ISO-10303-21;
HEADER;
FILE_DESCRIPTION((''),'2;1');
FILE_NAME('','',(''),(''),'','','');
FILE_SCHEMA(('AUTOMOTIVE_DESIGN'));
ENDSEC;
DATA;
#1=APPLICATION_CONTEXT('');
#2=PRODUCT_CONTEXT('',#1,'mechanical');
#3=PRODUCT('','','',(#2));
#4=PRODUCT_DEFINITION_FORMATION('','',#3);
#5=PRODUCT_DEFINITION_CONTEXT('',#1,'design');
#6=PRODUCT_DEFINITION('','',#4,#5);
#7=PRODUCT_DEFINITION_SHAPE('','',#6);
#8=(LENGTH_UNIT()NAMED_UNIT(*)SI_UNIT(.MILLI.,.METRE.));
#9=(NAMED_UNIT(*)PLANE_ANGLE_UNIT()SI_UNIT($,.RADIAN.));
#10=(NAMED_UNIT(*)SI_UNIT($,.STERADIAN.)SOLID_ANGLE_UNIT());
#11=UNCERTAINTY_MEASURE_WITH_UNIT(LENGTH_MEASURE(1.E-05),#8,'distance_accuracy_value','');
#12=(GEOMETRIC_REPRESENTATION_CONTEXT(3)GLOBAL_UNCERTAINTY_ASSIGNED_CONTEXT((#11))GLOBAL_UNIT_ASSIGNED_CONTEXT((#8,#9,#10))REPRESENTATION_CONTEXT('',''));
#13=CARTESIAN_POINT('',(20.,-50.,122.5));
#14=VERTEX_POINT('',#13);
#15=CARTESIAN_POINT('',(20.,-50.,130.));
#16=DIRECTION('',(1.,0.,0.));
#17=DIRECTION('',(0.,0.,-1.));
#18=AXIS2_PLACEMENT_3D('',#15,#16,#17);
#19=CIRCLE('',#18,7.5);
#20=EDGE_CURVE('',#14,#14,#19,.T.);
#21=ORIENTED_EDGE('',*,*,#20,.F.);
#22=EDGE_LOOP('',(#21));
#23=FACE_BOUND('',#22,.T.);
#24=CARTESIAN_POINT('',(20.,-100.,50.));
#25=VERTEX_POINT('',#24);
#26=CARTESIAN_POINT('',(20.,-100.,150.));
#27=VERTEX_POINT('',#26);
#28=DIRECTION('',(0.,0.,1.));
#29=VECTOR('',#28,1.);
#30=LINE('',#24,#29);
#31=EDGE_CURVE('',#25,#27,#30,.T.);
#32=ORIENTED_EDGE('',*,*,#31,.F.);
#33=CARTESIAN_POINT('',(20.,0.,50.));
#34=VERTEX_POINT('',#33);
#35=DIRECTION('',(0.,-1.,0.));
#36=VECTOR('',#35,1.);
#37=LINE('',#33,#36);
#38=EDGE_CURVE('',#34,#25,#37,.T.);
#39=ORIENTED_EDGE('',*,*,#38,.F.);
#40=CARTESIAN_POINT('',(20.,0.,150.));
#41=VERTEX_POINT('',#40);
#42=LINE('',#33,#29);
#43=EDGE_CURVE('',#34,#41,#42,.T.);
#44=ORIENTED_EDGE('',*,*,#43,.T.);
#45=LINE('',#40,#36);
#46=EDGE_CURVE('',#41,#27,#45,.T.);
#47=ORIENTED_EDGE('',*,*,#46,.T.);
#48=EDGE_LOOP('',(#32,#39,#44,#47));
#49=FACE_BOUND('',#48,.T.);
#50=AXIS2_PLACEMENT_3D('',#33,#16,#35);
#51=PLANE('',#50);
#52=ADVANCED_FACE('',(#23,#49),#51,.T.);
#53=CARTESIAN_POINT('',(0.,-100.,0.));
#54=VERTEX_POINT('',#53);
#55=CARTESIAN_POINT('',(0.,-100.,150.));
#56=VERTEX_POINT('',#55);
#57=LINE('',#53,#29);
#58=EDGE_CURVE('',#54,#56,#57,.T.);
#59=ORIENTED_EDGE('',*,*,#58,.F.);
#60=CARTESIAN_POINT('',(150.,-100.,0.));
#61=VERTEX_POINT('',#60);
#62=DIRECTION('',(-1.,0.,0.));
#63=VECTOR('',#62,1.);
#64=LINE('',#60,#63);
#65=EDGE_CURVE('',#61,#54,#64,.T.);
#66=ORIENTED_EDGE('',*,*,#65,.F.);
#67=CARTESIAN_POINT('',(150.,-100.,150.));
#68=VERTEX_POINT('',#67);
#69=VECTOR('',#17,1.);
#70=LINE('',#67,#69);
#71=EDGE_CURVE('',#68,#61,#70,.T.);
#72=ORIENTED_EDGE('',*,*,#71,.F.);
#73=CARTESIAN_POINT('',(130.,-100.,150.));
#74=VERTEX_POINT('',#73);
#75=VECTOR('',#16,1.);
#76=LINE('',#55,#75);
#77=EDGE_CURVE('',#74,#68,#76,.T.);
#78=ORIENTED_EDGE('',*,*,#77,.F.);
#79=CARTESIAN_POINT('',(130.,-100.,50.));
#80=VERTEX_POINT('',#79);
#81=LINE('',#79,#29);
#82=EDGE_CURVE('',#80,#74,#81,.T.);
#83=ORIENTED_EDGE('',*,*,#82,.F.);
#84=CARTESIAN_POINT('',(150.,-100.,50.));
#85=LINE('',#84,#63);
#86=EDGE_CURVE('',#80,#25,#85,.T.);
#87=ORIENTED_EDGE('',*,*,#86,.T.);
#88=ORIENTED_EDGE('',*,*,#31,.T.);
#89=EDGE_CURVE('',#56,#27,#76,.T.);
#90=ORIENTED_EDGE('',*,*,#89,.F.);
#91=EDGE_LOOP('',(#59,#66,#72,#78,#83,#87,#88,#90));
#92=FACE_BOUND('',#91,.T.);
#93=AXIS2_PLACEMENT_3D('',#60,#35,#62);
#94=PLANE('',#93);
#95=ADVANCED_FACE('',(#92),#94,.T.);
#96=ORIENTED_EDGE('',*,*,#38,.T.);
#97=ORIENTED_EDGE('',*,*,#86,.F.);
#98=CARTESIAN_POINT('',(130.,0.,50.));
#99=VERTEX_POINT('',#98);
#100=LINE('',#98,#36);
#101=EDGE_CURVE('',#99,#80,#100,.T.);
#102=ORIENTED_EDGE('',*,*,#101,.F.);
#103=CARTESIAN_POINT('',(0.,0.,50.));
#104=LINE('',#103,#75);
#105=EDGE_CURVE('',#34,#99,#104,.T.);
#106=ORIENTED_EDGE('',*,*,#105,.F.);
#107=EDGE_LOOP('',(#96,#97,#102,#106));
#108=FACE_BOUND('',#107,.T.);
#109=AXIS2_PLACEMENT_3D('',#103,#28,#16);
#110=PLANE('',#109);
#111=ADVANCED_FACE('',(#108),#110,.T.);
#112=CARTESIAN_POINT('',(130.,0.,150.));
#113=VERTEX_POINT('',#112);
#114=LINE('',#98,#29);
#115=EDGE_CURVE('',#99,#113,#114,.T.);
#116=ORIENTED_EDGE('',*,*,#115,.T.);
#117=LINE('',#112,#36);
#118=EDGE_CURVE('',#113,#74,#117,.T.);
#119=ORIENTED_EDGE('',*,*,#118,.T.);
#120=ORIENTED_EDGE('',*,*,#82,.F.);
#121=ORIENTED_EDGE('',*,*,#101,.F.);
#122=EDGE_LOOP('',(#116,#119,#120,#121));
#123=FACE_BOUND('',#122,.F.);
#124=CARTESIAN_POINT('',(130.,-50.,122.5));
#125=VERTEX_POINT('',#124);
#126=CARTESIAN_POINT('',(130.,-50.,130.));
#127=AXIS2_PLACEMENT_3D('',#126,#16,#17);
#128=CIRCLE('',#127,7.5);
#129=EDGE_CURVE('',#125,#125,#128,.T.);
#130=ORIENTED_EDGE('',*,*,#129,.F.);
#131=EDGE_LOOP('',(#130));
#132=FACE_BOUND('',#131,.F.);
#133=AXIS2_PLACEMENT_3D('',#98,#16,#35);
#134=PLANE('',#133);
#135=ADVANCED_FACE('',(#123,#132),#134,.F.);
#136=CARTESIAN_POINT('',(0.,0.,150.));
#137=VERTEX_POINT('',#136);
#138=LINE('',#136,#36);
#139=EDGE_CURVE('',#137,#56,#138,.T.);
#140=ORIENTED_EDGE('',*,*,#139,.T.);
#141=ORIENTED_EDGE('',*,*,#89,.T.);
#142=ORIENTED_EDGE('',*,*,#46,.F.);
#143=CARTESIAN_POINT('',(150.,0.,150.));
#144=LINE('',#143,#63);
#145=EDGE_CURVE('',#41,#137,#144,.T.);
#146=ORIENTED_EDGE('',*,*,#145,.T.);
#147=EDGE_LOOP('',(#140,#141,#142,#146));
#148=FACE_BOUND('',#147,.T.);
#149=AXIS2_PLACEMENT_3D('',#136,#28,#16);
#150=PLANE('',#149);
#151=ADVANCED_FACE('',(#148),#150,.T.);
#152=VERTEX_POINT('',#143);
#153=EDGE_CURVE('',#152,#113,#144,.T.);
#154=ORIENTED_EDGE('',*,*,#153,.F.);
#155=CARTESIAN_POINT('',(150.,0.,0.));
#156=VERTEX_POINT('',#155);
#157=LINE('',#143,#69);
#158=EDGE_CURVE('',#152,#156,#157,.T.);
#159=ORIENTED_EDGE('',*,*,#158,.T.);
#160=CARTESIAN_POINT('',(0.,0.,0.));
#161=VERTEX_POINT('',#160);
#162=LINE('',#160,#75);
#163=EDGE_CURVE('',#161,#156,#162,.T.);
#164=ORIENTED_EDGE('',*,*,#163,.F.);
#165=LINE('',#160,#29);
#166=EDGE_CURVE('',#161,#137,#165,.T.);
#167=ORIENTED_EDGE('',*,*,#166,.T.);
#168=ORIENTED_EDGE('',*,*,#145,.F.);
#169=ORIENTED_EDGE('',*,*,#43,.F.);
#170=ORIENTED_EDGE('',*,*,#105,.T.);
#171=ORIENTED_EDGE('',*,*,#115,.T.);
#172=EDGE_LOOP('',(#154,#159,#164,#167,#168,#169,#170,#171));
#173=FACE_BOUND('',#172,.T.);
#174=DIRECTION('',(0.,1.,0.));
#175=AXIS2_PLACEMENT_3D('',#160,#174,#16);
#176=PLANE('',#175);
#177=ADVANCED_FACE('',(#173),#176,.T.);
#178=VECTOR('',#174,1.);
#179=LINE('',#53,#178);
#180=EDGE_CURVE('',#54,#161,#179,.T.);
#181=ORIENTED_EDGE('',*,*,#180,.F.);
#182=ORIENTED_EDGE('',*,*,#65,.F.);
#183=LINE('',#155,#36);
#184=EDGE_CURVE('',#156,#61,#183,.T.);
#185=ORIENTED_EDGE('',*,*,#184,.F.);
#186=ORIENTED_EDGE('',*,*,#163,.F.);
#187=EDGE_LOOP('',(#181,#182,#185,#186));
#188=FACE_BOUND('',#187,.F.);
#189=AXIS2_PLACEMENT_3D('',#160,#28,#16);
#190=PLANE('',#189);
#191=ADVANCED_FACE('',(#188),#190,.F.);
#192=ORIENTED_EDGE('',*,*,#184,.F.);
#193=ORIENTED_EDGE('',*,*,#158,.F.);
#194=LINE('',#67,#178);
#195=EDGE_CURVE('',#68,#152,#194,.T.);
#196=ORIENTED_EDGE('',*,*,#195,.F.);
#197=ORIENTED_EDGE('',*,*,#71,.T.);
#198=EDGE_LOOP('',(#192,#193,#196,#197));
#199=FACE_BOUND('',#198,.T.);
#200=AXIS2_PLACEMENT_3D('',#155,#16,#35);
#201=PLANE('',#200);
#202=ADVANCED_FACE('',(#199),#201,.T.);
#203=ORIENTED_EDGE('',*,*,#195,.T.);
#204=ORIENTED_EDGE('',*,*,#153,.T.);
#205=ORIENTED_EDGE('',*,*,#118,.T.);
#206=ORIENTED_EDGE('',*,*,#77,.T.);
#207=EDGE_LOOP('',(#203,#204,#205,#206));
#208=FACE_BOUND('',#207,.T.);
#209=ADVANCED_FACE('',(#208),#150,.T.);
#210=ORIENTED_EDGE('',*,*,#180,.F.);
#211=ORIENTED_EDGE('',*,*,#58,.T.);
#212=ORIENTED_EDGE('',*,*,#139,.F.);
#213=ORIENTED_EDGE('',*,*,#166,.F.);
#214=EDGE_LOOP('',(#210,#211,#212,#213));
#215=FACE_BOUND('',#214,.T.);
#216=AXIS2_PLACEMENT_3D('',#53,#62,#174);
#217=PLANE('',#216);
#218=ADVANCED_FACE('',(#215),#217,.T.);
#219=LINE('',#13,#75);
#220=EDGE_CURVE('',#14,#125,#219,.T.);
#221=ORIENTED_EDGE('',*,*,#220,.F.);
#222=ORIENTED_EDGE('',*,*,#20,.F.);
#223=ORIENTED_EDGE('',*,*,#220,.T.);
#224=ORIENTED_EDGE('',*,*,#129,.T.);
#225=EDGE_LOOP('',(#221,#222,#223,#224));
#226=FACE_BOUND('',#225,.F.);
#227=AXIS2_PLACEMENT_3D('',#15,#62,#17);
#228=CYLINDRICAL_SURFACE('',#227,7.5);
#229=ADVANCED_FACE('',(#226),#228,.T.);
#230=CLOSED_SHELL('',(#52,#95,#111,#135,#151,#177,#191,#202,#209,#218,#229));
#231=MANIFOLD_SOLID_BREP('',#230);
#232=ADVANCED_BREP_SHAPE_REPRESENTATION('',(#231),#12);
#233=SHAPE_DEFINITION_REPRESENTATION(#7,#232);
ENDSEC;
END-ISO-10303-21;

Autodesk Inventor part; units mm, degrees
ref_plane "YZ Plane" through (0, 0, 0) normal (1, 0, 0) x (0, 1, 0)
ref_plane "XZ Plane" through (0, 0, 0) normal (0, 1, 0) x (-1, 0, 0)
ref_plane "XY Plane" through (0, 0, 0) normal (0, 0, 1) x (1, 0, 0)
sketch "스케치1" plane through (0, 0, 0) normal (0, 0, 1) x (1, 0, 0)
  line L0 (0, 0) -> (150, 0)
  line L1 (150, 0) -> (150, -100)
  line L2 (150, -100) -> (0, -100)
  line L3 (0, -100) -> (0, 0)
  dimension "d0" = 150
  dimension "d1" = 100
extrude "돌출1" add sketch "스케치1" along normal blind 50
sketch "스케치2" plane through (0, 0, 50) normal (0, 0, 1) x (1, 0, 0)
  line L0 (0, -100) -> (150, -100) projected
  line L1 (150, -100) -> (150, 0) projected
  line L2 (150, 0) -> (0, 0) projected
  line L3 (0, 0) -> (0, -100) projected
  line L4 (20, 0) -> (20, -100)
  line L5 (130, 0) -> (130, -100)
  dimension "d4" = 20
  dimension "d5" = 20
extrude "돌출2" add sketch "스케치2" along normal blind 100 contours L3 L2 L4 L0 | L5 L2 L1 L0
sketch "스케치3" plane through (20, -100, 50) normal (1, 0, 0) x (0, 0, -1)
  line L0 (0, 100) -> (0, 0) projected
  line L1 (0, 100) -> (-100, 100) projected
  line L2 (-100, 0) -> (-100, 100) projected
  line L3 (0, 0) -> (-100, 0) projected
  circle A0 centre (-80, 50) radius 7.5
  point P0 (50, 100)
  dimension "d8" = 15
  dimension "d9" = 20
  dimension "d10" = 50
extrude "돌출3" add sketch "스케치3" along normal up to surface (110 mm away) contours A0
properties part number "lever1"
